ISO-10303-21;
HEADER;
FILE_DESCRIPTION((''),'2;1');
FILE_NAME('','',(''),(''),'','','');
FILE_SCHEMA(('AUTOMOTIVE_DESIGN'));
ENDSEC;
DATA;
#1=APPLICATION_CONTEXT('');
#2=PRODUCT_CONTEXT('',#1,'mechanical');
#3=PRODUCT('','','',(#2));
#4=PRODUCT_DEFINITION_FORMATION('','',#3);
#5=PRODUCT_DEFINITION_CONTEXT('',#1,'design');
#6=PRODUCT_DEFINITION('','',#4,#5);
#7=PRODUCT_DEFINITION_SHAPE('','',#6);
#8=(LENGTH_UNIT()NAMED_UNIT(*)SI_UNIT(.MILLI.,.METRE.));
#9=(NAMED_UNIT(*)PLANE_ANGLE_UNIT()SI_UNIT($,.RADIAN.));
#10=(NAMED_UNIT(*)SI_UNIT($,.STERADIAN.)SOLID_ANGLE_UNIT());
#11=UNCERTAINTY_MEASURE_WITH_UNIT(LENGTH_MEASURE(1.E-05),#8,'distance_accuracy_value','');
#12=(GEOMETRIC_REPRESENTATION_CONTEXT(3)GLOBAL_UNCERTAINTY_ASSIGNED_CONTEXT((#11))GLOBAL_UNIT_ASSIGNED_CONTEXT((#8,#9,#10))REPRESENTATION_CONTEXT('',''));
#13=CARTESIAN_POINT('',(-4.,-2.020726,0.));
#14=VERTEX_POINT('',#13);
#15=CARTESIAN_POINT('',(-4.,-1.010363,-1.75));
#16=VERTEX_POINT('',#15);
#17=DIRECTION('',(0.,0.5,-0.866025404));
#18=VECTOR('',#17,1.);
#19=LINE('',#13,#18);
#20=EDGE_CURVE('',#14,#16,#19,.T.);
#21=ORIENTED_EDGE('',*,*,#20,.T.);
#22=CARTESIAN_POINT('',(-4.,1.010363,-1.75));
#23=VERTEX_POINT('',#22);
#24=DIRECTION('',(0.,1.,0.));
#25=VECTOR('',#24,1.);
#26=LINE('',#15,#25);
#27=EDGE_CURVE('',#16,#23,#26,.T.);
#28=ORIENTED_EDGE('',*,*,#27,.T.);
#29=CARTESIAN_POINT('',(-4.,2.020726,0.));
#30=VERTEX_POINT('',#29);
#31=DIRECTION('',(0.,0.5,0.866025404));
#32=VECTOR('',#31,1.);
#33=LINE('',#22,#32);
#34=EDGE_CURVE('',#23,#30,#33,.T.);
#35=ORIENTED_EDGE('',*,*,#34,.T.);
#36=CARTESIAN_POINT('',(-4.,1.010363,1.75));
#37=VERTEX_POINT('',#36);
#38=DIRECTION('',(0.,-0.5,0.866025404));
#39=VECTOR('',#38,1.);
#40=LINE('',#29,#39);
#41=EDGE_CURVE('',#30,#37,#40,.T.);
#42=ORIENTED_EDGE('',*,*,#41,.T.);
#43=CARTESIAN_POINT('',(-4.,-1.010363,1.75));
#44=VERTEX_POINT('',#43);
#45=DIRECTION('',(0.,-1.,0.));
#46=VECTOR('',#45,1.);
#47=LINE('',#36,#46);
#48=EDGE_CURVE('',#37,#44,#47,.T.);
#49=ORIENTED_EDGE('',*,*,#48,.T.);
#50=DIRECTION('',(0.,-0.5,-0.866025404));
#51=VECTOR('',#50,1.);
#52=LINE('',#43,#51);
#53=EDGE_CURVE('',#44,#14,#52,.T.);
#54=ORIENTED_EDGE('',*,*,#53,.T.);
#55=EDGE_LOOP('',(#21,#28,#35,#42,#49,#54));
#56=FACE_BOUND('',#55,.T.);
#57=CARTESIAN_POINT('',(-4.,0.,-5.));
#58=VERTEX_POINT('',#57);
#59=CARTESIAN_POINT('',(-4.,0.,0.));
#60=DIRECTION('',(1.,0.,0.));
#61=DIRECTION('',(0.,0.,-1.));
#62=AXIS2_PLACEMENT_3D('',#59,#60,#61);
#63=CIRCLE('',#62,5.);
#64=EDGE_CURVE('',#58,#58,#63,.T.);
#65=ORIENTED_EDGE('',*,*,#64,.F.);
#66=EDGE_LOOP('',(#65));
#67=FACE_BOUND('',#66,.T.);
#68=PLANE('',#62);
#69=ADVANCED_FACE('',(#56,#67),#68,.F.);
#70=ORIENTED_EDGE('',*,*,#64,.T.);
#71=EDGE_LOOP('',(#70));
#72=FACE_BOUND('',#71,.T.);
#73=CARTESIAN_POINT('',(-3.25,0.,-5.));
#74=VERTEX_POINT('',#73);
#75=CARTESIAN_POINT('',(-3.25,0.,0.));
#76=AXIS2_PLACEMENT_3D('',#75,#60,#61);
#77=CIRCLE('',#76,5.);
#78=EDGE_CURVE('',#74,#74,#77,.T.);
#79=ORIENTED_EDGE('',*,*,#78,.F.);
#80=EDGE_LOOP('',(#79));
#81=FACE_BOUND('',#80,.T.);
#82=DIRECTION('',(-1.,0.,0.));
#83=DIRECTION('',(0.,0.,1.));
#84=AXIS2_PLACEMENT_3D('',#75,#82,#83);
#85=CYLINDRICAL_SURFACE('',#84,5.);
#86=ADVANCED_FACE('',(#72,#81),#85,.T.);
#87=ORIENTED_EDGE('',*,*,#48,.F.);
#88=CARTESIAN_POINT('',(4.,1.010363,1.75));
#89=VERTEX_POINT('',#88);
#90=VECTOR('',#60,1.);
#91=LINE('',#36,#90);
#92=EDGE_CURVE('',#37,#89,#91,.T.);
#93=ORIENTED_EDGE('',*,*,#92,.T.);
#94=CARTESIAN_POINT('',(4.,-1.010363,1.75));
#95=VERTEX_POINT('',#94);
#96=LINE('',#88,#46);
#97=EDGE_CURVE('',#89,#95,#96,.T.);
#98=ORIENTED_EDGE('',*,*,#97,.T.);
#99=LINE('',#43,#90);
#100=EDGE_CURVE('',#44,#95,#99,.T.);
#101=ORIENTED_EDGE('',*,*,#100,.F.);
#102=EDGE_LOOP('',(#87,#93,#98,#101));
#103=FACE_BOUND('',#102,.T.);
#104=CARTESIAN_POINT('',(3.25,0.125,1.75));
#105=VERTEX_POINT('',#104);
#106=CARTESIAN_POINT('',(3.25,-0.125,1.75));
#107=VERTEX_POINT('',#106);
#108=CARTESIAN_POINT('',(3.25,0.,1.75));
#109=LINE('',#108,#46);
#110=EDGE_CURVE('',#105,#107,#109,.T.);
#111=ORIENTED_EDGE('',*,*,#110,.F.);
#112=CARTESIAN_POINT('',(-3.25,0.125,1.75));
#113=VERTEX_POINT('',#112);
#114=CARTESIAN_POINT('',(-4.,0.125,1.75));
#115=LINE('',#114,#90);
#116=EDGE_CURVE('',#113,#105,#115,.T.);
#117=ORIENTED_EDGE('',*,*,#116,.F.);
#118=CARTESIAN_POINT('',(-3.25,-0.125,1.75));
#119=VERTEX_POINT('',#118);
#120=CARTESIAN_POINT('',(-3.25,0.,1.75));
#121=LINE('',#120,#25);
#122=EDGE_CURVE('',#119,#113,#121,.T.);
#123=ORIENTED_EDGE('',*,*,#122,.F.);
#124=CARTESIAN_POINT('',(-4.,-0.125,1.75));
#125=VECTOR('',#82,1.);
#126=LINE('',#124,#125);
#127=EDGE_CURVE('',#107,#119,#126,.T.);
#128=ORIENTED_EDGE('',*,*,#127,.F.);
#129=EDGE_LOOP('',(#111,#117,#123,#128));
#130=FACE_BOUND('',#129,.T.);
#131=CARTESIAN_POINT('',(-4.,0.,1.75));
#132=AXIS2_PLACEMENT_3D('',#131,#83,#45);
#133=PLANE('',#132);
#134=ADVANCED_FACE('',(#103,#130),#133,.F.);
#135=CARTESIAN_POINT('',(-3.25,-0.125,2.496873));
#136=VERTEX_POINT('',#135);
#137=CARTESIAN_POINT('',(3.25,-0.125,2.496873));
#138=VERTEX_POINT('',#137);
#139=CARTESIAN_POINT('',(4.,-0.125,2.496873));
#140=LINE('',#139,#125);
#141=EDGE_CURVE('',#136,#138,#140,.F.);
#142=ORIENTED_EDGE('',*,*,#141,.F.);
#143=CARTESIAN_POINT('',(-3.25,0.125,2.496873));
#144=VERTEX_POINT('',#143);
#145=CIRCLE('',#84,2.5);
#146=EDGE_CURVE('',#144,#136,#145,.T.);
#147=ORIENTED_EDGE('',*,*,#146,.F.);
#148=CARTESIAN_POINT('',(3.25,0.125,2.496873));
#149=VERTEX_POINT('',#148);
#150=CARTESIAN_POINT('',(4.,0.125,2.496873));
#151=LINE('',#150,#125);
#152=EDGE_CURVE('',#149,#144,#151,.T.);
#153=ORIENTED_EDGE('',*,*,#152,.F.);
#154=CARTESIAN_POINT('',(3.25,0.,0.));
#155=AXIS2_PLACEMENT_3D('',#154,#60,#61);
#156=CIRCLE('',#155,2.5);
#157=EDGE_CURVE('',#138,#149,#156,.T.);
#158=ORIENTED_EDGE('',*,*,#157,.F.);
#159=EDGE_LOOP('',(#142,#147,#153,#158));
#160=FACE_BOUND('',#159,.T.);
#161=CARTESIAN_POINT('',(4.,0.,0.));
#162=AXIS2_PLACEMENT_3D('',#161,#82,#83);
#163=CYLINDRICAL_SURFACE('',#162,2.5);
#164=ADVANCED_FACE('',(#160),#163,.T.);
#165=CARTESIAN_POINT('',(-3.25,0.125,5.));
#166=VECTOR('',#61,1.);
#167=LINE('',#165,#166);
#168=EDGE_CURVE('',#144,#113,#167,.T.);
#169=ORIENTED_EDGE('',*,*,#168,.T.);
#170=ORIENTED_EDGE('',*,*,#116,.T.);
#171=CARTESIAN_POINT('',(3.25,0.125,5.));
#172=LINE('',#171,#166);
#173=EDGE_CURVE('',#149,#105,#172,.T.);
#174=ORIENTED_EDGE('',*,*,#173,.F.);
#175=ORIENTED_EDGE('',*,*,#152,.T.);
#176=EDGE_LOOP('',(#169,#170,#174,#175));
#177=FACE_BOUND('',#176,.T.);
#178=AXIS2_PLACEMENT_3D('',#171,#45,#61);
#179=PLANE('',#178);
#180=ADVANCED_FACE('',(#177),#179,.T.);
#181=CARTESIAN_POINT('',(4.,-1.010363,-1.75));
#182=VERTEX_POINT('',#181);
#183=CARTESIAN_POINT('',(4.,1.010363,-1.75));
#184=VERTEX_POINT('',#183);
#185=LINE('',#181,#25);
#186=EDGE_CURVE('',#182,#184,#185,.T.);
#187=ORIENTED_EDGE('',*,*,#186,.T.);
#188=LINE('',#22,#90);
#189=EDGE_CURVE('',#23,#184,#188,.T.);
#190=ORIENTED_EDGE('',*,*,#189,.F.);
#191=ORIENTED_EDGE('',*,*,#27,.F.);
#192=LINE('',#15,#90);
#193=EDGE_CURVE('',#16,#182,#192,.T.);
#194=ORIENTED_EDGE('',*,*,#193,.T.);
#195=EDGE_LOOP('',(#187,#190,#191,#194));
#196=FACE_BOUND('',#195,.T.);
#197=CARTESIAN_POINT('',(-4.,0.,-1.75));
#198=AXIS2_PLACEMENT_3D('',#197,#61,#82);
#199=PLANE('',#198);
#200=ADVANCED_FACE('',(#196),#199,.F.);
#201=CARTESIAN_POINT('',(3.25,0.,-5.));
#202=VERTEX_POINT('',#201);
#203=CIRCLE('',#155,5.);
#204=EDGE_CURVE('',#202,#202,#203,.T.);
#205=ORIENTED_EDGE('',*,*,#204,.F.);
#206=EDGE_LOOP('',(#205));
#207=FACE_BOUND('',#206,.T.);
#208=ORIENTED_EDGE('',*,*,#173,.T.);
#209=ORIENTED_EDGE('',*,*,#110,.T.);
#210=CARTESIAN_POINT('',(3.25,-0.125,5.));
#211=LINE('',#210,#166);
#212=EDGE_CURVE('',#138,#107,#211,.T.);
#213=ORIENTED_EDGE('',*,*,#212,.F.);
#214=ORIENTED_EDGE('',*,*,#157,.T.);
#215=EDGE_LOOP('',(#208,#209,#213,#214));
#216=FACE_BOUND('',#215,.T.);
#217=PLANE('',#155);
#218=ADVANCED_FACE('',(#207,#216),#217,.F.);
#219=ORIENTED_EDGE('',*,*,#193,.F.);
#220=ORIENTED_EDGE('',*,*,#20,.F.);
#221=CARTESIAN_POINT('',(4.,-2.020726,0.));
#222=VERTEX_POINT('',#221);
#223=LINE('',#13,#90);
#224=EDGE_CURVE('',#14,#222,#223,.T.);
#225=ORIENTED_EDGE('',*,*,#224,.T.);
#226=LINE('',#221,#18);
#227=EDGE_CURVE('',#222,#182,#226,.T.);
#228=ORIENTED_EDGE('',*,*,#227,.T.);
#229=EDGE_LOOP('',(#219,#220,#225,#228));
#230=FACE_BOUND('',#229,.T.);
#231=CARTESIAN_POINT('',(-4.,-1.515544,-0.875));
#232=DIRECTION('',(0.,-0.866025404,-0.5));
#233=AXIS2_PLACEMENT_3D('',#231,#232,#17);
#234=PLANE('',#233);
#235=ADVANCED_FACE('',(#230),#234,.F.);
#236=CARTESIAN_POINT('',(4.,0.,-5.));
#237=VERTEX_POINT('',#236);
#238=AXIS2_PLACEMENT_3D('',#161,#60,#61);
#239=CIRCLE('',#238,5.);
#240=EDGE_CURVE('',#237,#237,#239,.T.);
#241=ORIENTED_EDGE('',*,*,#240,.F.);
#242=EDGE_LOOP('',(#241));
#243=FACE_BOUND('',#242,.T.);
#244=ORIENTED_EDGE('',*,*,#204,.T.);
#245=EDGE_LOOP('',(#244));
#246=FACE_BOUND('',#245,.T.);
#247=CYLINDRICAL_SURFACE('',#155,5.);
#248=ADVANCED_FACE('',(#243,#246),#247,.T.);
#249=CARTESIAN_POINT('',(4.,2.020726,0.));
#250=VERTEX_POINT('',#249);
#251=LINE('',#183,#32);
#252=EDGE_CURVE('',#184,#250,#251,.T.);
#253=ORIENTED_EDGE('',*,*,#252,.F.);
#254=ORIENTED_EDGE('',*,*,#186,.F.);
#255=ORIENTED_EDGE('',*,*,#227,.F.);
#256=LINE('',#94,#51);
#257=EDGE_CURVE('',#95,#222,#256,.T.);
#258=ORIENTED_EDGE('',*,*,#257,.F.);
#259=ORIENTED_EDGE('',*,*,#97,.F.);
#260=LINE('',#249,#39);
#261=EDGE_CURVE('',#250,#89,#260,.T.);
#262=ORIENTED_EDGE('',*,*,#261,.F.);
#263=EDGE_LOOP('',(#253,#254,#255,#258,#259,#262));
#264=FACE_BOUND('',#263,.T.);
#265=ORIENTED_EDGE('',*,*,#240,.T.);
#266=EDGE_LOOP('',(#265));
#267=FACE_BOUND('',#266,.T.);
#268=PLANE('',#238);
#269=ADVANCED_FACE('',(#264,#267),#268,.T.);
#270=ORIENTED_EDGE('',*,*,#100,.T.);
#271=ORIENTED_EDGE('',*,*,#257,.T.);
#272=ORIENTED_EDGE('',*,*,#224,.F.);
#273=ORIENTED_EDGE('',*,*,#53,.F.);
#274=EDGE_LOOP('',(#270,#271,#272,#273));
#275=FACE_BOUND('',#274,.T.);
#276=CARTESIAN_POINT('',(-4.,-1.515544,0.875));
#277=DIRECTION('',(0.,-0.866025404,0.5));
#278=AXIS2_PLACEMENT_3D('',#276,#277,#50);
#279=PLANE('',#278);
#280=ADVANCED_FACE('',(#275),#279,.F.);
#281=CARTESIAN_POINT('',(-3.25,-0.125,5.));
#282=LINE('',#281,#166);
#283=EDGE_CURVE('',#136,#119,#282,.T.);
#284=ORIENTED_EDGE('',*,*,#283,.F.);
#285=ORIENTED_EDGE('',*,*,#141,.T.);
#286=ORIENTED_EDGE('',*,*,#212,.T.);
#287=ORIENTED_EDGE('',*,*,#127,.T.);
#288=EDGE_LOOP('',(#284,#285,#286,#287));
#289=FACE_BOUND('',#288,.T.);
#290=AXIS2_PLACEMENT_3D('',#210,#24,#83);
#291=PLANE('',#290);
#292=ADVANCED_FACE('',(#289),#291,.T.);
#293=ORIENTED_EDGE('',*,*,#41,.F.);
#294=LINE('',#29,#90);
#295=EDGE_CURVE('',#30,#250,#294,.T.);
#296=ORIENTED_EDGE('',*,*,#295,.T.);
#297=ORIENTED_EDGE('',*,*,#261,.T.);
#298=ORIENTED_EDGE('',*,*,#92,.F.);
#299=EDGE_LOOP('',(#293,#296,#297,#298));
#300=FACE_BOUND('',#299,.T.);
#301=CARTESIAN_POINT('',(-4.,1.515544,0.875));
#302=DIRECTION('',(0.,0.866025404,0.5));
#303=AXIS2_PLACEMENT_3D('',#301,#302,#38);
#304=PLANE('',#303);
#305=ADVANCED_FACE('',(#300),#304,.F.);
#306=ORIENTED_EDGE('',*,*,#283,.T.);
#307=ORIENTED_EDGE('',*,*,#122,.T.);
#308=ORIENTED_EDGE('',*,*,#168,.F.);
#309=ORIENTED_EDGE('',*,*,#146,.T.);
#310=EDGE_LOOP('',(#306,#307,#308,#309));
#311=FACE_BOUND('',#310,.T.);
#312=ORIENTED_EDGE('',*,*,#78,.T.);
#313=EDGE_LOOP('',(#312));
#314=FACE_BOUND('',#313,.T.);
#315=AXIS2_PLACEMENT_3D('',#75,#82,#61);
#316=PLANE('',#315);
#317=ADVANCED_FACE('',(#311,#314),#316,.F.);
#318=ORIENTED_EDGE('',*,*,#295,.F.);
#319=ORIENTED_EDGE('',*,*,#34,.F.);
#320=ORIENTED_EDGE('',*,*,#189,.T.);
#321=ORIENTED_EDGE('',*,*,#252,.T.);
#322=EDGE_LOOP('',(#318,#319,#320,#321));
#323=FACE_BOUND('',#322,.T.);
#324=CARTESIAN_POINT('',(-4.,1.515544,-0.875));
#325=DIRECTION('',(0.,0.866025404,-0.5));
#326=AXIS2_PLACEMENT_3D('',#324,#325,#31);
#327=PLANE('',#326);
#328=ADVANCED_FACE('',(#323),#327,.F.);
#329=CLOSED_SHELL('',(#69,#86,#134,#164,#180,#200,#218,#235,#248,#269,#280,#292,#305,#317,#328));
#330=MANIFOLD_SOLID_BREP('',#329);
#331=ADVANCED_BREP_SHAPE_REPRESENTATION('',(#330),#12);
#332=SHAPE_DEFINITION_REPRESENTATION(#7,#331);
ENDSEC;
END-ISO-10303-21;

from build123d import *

# Parameters (mm, degrees)
SKETCH1_R           = 2.5
BOSS_EXTRUDE1_DEPTH = 4
SKETCH2_R           = 5
BOSS_EXTRUDE2_DEPTH = 0.75
M1_6_NUT_DEPTH      = 9.124038405
M1_6_NUT_DEPTH_BACK = 9.124038405
SKETCH5_W           = 6.5
SKETCH5_H           = 0.25
CUT_EXTRUDE1_DEPTH  = 9.124038405


with BuildPart() as part:
    # Sketch1 → Boss-Extrude1 (new, symmetric)
    with BuildSketch(Plane(origin=(0, 0, 0), x_dir=(0, 0, -1), z_dir=(1, 0, 0))):
        Circle(SKETCH1_R)
    extrude(amount=BOSS_EXTRUDE1_DEPTH, both=True)

    # Sketch2 → Boss-Extrude2 (add)
    with BuildSketch(Plane(origin=(4, 0, 0), x_dir=(0, 0, -1), z_dir=(1, 0, 0))):
        Circle(SKETCH2_R)
    boss_extrude2 = extrude(amount=-BOSS_EXTRUDE2_DEPTH)

    # Mirror1: Boss-Extrude2 across plane
    add(boss_extrude2.mirror(Plane(origin=(0, 0, 0), x_dir=(0, 0, 1), z_dir=(1, 0, 0))))

    # Sketch3 → M1.6 Nut (cut, two sides: drawn at the far end of the back side and taken through both)
    with BuildSketch(Plane(origin=(0, 0, 0), x_dir=(0, 0, -1), z_dir=(1, 0, 0)).offset(-M1_6_NUT_DEPTH_BACK)):
        Polygon((1.75, 0), (1.75, 1.010362971), (0.875, 1.515544457), (0, 2.020725942), (-0.875, 1.515544457), (-1.75, 1.010362971), (-1.75, 0), (-1.75, -1.010362971), (-0.875, -1.515544457), (0, -2.020725942), (0.875, -1.515544457), (1.75, -1.010362971), align=None)
    extrude(amount=M1_6_NUT_DEPTH + M1_6_NUT_DEPTH_BACK, mode=Mode.SUBTRACT)

    # Sketch5 → Cut-Extrude1 (cut, through all)
    with BuildSketch(Plane.XY):
        Rectangle(SKETCH5_W, SKETCH5_H)
    extrude(amount=CUT_EXTRUDE1_DEPTH, mode=Mode.SUBTRACT)


solid = part.part
